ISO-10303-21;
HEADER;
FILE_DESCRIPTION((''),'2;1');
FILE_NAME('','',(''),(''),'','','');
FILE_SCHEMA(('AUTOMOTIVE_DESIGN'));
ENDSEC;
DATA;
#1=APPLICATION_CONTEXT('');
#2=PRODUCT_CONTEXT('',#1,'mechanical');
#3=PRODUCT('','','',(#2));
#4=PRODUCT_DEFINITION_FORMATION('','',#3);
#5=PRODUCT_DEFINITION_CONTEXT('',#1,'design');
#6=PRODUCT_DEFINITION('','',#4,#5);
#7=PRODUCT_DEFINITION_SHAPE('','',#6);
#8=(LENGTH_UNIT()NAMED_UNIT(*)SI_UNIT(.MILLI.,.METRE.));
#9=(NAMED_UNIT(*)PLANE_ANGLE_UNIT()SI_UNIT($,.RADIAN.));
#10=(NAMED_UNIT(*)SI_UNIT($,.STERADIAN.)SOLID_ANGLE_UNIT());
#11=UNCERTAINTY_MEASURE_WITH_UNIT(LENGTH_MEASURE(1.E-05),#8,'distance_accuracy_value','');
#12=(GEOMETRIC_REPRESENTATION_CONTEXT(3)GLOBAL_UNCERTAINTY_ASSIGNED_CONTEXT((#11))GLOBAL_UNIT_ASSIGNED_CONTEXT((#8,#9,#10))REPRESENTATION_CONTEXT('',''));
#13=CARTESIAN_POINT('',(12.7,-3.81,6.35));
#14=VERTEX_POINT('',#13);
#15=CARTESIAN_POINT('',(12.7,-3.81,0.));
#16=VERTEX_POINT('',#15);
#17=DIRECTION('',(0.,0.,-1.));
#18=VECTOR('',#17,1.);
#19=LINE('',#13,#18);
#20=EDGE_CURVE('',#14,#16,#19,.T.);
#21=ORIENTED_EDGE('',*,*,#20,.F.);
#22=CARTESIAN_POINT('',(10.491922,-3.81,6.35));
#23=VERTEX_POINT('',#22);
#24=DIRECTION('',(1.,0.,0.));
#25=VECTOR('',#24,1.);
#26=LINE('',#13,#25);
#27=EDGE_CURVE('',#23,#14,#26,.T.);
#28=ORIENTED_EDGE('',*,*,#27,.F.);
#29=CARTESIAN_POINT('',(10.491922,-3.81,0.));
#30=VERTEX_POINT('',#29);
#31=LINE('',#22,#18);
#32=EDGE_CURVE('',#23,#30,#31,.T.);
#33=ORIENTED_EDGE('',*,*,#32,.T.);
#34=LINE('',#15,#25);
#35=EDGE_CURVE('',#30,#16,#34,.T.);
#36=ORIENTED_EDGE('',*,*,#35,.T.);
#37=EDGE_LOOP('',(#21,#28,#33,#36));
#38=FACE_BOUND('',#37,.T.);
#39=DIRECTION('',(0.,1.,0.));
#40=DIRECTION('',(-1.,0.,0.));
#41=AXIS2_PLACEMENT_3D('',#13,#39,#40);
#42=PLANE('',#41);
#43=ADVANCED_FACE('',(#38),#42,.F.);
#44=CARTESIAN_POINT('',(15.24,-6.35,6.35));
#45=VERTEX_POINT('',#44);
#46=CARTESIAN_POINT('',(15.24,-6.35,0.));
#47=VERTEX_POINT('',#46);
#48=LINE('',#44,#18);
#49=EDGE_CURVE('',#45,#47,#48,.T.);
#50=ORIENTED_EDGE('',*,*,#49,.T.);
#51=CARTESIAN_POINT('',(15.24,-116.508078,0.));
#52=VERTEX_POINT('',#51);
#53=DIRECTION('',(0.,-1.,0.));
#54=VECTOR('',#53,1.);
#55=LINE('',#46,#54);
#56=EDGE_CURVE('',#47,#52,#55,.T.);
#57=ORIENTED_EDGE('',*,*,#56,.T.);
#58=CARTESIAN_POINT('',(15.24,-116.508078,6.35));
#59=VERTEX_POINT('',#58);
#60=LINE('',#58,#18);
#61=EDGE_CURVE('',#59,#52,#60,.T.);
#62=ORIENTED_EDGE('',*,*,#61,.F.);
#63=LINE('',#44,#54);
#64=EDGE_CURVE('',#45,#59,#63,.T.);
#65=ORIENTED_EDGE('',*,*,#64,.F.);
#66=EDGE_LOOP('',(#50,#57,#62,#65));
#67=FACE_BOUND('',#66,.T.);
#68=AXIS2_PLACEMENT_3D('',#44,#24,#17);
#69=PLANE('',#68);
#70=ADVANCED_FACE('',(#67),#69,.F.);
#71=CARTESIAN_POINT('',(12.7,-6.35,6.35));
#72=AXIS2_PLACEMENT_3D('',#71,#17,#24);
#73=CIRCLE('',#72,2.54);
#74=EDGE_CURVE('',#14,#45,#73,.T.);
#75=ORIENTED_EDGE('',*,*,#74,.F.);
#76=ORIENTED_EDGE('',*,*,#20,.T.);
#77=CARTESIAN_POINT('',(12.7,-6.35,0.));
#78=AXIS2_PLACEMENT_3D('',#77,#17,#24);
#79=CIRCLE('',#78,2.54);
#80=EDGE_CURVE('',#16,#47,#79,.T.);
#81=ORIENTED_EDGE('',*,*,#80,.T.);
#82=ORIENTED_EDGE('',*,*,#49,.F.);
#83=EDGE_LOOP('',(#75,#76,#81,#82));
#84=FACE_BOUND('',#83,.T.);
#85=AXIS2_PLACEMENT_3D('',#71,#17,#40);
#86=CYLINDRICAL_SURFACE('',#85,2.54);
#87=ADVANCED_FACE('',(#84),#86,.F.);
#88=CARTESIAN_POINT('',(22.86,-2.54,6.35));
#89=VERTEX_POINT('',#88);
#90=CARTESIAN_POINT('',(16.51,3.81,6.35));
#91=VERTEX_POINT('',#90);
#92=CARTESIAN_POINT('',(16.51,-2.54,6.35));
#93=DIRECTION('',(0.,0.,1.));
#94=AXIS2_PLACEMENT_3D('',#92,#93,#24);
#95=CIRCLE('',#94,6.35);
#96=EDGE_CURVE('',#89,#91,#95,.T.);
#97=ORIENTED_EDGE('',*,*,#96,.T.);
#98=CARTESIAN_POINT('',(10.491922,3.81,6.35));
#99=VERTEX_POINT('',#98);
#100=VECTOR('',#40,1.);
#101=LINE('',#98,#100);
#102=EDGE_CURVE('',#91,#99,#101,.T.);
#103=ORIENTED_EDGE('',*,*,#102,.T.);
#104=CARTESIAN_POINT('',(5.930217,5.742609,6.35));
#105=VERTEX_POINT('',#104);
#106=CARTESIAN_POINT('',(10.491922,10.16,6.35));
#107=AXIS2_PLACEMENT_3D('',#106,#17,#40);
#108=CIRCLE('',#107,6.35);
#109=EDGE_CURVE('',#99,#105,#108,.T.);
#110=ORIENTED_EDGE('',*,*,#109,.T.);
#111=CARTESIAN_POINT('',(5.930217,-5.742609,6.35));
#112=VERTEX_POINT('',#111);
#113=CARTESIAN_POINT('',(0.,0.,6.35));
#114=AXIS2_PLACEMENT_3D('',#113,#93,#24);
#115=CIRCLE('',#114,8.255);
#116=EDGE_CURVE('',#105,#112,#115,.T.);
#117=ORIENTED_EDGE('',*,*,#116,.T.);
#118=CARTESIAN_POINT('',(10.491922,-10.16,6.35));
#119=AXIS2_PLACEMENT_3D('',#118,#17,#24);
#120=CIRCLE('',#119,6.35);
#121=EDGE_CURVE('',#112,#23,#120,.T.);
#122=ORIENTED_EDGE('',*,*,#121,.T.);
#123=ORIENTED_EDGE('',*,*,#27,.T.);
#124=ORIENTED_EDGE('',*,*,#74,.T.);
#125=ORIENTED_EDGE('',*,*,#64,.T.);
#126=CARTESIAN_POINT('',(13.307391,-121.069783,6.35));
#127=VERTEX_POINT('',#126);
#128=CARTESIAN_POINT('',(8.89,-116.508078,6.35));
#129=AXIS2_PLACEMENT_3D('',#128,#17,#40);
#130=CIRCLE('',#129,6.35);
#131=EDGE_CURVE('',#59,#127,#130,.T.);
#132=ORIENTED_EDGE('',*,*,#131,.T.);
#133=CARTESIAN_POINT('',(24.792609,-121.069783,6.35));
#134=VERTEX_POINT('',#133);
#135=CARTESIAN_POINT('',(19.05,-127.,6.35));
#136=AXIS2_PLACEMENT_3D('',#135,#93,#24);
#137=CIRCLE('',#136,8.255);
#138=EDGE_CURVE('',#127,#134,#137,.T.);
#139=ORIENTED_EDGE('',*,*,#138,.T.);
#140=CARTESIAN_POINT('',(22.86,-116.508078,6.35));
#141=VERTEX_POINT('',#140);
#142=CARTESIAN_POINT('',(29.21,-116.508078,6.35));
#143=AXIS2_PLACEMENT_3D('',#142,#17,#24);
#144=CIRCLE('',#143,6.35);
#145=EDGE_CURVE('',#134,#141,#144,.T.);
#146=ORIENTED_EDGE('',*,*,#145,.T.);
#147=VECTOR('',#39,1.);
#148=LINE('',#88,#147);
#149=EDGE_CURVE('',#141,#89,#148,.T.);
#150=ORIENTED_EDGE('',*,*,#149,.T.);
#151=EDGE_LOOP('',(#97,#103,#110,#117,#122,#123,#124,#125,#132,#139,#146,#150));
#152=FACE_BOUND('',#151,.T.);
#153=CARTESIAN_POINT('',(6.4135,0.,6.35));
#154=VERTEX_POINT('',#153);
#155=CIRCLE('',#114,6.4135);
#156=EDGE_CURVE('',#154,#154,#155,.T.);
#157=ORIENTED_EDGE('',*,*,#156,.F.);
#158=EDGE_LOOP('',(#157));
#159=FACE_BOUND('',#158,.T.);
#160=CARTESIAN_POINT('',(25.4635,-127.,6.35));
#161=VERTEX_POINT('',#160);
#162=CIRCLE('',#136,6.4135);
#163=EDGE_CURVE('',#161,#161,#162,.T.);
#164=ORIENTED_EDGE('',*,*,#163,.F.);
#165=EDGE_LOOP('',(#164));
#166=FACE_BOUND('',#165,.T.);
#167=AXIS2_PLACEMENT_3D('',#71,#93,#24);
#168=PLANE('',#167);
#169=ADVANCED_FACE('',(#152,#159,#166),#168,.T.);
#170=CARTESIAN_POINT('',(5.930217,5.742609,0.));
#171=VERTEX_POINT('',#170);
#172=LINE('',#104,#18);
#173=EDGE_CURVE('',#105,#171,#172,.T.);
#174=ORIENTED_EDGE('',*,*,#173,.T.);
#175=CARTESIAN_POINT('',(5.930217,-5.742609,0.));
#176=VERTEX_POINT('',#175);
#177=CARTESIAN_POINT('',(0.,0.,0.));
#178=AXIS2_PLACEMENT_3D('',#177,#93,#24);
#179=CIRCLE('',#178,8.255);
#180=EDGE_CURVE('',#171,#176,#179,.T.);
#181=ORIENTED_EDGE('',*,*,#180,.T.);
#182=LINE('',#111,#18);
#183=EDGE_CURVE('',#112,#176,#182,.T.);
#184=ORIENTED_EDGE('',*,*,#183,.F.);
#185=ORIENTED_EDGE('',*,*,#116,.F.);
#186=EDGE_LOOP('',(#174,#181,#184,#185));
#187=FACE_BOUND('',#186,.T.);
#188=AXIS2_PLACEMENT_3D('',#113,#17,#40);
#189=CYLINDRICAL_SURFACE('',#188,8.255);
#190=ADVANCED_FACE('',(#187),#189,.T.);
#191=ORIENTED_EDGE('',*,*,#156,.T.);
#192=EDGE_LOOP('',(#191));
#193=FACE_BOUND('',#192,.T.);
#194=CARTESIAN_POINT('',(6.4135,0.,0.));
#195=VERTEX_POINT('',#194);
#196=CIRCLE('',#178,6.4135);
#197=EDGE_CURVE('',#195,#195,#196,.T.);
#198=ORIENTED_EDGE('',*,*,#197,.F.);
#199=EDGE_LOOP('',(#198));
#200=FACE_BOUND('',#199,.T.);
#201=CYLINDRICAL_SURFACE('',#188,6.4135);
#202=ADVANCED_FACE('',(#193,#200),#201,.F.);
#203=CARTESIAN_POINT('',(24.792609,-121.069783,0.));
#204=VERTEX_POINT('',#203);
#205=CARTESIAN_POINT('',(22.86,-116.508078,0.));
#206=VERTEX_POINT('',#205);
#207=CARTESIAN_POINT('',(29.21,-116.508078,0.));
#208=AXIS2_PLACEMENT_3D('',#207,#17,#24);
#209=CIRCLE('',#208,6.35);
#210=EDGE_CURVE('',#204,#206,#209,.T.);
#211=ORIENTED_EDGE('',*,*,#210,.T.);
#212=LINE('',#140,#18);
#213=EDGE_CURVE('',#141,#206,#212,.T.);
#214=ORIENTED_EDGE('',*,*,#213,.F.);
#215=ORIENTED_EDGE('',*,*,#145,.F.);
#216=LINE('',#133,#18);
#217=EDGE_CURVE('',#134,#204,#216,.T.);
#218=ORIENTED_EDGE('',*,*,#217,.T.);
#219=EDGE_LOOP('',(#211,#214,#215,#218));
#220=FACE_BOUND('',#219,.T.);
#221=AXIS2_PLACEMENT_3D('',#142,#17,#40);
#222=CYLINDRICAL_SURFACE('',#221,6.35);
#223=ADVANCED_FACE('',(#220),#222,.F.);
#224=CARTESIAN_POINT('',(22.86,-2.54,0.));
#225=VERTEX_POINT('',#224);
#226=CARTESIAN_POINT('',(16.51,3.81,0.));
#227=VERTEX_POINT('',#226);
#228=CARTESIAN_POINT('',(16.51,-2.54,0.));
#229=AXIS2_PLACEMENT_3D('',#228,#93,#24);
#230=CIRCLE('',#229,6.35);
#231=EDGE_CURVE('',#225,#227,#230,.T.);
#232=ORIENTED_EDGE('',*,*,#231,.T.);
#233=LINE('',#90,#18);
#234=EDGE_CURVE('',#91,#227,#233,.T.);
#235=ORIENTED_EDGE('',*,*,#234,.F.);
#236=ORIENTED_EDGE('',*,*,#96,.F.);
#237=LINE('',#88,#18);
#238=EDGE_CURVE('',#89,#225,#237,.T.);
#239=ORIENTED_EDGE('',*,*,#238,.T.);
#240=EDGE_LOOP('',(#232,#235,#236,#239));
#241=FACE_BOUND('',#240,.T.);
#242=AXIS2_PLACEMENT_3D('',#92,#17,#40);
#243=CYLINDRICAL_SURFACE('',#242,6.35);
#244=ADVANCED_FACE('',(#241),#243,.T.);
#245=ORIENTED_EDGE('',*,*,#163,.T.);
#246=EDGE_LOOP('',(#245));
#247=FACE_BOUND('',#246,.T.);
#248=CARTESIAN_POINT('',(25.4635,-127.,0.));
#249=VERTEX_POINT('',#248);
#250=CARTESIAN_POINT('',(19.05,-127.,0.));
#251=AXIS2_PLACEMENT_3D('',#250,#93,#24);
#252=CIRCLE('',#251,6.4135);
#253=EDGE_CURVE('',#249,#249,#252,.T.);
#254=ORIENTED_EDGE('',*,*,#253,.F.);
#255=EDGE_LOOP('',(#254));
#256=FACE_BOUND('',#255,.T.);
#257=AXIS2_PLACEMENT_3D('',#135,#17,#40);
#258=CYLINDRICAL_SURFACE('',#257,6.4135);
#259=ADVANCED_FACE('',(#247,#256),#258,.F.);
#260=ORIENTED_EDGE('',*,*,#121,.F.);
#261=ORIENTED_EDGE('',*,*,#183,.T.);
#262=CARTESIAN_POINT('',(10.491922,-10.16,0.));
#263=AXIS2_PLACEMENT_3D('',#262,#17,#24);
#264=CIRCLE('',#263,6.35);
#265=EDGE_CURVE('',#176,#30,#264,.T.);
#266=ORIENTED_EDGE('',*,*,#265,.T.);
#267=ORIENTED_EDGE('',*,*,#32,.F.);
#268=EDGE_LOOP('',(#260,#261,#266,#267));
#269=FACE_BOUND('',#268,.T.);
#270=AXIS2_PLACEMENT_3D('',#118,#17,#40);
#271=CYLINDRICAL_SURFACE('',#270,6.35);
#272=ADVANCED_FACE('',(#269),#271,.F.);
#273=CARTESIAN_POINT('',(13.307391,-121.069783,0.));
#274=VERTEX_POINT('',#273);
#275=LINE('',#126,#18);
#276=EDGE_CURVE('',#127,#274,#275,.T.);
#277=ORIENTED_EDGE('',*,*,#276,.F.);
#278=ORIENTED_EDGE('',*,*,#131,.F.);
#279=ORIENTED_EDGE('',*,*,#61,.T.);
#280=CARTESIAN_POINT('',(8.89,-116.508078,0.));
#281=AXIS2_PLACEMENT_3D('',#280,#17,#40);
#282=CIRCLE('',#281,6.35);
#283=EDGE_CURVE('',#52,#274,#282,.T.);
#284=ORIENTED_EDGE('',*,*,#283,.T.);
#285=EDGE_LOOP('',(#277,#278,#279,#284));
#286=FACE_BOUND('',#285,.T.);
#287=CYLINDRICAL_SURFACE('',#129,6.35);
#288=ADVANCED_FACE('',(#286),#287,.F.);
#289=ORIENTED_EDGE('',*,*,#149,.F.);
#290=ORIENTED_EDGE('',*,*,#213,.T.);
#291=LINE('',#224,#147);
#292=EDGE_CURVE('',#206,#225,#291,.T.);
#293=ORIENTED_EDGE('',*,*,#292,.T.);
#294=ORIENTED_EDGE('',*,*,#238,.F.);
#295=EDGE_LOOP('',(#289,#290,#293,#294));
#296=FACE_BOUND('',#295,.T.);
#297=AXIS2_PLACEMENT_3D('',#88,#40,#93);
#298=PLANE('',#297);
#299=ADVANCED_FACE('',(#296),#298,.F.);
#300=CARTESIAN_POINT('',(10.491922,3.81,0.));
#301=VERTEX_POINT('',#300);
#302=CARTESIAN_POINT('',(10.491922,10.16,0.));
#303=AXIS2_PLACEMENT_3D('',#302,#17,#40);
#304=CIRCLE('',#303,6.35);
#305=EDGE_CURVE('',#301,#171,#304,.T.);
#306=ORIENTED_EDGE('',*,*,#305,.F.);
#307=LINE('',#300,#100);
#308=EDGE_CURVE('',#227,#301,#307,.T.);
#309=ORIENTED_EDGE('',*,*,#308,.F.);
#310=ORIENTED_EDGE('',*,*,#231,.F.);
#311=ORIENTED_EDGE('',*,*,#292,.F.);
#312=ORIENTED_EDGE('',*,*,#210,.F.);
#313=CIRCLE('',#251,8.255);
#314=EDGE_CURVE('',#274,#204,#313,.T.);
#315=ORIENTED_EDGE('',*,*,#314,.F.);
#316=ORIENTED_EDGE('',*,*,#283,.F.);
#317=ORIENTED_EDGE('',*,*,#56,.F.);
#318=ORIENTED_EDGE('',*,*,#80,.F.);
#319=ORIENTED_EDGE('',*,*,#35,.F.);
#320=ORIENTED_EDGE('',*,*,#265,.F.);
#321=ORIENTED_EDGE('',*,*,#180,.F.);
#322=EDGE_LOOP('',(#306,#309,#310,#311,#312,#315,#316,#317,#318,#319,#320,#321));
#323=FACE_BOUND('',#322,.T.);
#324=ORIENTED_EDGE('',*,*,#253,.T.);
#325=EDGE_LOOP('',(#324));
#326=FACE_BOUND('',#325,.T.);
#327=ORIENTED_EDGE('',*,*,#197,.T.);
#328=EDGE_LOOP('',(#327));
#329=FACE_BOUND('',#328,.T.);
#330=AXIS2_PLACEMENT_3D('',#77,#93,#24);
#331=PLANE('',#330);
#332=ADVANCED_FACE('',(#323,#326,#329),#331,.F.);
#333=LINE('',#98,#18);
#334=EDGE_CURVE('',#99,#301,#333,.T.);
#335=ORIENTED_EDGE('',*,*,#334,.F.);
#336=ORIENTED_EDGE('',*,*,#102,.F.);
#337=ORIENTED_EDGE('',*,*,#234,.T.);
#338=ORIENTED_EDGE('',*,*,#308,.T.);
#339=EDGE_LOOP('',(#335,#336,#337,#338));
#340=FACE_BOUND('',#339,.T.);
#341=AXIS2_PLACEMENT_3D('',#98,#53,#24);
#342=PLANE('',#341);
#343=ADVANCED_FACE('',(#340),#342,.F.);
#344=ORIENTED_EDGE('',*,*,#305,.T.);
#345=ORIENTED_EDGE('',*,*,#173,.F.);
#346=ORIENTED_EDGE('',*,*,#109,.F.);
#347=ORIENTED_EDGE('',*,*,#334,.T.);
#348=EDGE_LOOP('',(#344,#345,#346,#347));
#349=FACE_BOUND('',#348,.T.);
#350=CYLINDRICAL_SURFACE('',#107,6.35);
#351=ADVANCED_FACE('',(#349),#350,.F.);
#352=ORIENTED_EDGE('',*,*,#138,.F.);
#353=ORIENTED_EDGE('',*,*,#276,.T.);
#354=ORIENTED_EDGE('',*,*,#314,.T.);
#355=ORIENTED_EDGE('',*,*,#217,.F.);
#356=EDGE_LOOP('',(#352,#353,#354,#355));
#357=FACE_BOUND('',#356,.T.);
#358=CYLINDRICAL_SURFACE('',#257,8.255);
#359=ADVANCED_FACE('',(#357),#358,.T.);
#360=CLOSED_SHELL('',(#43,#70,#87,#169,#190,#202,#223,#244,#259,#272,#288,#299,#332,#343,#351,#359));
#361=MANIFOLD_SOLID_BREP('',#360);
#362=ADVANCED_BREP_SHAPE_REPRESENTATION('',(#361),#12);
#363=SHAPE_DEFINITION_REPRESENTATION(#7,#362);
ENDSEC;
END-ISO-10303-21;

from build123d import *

# Parameters (mm, degrees)
ESQUISSE1_R        = 6.4135
BOSS_EXTRU_1_DEPTH = 6.35


with BuildPart() as part:
    # Esquisse1 → Boss.-Extru.1 (new body)
    with BuildSketch(Plane(origin=(154.130652136, 0, 0), x_dir=(1, 0, 0), z_dir=(0, 0, 1))):
        with BuildLine():
            Line((-138.890652136, -6.35), (-138.890652136, -116.508078107))
            ThreePointArc((-138.890652136, -116.508078107), (-139.393732658, -118.985179762), (-140.823260832, -121.069783278))
            ThreePointArc((-140.823260832, -121.069783278), (-135.080652136, -135.255), (-129.338043441, -121.069783278))
            ThreePointArc((-129.338043441, -121.069783278), (-130.767571615, -118.985179762), (-131.270652136, -116.508078107))
            Line((-131.270652136, -116.508078107), (-131.270652136, -2.54))
            ThreePointArc((-131.270652136, -2.54), (-133.130524076, 1.950128061), (-137.620652136, 3.81))
            Line((-137.620652136, 3.81), (-143.638730244, 3.81))
            ThreePointArc((-143.638730244, 3.81), (-146.115831899, 4.313080521), (-148.200435415, 5.742608696))
            ThreePointArc((-148.200435415, 5.742608696), (-162.385652136, 0), (-148.200435415, -5.742608696))
            ThreePointArc((-148.200435415, -5.742608696), (-146.115831899, -4.313080521), (-143.638730244, -3.81))
            Line((-143.638730244, -3.81), (-141.430652136, -3.81))
            ThreePointArc((-141.430652136, -3.81), (-139.634600912, -4.553948776), (-138.890652136, -6.35))
        make_face()
        with Locations((-135.080652136, -127)):
            Circle(ESQUISSE1_R, mode=Mode.SUBTRACT)
        with Locations((-154.130652136, 0)):
            Circle(ESQUISSE1_R, mode=Mode.SUBTRACT)
    extrude(amount=BOSS_EXTRU_1_DEPTH)


solid = part.part
